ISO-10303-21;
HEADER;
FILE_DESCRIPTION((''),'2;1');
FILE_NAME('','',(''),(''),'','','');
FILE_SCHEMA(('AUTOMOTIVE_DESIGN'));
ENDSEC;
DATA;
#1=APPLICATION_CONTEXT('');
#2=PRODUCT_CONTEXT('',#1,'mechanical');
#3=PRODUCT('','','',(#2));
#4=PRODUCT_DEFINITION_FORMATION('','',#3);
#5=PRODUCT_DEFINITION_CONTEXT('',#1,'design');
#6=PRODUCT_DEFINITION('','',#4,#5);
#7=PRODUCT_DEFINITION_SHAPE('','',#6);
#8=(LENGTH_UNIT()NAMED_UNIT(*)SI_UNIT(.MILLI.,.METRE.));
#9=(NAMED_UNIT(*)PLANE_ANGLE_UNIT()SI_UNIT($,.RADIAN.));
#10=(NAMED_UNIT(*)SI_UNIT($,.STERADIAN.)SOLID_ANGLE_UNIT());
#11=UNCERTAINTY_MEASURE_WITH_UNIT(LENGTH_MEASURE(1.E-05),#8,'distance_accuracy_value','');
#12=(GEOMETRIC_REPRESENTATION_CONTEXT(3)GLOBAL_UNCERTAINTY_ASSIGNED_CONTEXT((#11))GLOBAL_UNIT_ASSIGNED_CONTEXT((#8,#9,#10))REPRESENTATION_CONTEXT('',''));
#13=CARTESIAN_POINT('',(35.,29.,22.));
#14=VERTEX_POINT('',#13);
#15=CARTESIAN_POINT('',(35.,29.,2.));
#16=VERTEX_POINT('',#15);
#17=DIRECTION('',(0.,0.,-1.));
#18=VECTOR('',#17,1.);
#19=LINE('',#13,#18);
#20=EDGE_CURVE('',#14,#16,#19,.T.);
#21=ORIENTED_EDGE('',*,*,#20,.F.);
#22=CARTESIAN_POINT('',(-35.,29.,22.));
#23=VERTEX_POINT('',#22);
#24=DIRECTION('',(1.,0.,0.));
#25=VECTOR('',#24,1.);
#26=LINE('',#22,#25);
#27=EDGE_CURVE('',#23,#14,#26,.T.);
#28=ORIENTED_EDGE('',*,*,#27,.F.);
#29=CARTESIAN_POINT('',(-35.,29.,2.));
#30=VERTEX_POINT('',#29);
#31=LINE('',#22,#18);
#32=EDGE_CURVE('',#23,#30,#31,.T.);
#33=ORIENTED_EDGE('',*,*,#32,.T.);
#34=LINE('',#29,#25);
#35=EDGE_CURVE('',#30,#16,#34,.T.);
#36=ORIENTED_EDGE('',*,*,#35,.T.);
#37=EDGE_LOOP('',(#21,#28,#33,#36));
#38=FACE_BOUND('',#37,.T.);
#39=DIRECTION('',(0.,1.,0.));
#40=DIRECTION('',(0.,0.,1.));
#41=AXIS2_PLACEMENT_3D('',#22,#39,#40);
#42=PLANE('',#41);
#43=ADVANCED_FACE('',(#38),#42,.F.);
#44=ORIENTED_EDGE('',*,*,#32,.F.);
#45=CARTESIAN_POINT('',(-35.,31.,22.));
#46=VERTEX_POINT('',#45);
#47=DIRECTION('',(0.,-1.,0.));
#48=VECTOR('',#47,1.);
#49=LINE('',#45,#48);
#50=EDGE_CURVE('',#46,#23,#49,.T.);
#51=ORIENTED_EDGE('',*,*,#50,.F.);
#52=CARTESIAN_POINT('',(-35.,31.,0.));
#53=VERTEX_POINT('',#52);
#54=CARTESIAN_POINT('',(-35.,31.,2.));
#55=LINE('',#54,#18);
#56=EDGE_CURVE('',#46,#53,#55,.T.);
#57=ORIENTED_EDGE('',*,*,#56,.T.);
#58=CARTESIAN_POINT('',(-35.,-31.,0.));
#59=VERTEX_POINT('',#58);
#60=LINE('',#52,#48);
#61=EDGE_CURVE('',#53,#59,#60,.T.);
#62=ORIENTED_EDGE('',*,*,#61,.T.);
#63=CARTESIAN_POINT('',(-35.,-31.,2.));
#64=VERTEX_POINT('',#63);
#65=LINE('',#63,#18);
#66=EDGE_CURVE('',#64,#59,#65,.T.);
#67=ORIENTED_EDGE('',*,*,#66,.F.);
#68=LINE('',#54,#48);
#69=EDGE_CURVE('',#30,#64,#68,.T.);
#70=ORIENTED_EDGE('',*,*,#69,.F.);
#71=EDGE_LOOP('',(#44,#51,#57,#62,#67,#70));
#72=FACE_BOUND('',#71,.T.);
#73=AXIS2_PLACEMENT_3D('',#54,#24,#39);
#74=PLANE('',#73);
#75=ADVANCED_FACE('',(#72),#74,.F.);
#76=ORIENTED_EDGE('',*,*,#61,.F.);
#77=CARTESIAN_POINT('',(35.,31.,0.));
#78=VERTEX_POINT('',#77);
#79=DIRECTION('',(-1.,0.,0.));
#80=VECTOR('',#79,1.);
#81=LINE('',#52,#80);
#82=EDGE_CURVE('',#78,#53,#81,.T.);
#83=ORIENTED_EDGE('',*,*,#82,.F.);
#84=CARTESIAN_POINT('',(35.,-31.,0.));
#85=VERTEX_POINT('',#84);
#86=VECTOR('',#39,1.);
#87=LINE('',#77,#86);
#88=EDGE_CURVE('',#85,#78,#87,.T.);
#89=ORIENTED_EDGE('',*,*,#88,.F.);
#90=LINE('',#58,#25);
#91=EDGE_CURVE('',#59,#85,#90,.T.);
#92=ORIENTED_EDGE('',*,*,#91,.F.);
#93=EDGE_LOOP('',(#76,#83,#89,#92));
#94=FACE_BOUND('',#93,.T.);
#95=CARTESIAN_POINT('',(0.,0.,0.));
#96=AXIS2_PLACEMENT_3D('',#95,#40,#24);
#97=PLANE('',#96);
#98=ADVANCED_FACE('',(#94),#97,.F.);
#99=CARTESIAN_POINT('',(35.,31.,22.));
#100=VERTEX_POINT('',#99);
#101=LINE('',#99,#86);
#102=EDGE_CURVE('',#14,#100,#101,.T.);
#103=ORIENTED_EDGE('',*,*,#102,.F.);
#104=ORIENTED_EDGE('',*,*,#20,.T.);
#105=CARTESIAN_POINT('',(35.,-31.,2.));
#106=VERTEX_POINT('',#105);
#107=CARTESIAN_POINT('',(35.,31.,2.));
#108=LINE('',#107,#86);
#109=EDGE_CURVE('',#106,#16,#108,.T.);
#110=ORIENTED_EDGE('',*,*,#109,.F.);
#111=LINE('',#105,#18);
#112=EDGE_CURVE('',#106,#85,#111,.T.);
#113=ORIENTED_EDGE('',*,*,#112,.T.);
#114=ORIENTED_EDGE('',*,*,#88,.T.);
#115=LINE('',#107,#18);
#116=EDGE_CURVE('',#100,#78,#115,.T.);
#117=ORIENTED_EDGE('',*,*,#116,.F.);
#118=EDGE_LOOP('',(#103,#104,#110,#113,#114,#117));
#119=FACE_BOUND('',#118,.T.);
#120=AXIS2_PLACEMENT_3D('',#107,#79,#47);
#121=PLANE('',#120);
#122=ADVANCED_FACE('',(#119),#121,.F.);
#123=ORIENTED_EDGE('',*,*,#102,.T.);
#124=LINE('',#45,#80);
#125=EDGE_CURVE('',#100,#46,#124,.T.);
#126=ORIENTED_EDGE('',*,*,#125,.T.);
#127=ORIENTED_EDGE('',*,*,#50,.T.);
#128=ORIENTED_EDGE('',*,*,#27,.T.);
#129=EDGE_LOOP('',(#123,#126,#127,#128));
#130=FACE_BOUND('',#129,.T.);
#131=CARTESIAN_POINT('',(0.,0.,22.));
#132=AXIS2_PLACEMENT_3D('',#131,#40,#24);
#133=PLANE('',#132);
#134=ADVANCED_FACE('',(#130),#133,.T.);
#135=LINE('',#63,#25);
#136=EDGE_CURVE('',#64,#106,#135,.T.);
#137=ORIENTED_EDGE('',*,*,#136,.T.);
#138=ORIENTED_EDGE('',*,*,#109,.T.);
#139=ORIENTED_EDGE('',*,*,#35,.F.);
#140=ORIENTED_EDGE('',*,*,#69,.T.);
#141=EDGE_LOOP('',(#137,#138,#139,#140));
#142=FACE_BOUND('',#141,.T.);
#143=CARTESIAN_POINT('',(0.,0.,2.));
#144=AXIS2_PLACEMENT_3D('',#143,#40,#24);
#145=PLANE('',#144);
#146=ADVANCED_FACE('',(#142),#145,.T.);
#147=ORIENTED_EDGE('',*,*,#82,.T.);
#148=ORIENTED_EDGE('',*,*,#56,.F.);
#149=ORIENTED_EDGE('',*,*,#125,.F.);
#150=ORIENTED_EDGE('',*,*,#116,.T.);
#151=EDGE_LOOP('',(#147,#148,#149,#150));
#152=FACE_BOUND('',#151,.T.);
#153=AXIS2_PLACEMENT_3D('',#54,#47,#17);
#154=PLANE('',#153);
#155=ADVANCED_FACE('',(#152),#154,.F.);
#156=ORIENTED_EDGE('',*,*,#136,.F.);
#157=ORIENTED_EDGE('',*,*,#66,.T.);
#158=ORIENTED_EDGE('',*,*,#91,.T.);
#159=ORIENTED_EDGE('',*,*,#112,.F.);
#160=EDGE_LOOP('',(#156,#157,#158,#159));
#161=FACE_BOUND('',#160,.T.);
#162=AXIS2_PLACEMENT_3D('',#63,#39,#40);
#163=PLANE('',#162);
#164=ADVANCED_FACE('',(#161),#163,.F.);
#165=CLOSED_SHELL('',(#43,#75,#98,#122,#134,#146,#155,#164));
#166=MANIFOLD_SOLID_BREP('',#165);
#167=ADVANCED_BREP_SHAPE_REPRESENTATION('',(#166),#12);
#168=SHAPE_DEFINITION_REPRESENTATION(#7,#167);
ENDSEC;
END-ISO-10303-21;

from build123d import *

# Parameters (mm, degrees)
SKETCH_1_W      = 70
SKETCH_1_H      = 62
EXTRUDE_1_DEPTH = 2
SKETCH_2_W      = 70
SKETCH_2_H      = 2
EXTRUDE_2_DEPTH = 20


with BuildPart() as part:
    # 草图1 → 凸台-拉伸1 (new body)
    with BuildSketch(Plane.XY):
        Rectangle(SKETCH_1_W, SKETCH_1_H)
    extrude(amount=EXTRUDE_1_DEPTH)

    # 草图2 → 凸台-拉伸2 (add)
    with BuildSketch(Plane.XY.offset(2)):
        with Locations((0, 30)):
            Rectangle(SKETCH_2_W, SKETCH_2_H)
    extrude(amount=EXTRUDE_2_DEPTH)


solid = part.part
